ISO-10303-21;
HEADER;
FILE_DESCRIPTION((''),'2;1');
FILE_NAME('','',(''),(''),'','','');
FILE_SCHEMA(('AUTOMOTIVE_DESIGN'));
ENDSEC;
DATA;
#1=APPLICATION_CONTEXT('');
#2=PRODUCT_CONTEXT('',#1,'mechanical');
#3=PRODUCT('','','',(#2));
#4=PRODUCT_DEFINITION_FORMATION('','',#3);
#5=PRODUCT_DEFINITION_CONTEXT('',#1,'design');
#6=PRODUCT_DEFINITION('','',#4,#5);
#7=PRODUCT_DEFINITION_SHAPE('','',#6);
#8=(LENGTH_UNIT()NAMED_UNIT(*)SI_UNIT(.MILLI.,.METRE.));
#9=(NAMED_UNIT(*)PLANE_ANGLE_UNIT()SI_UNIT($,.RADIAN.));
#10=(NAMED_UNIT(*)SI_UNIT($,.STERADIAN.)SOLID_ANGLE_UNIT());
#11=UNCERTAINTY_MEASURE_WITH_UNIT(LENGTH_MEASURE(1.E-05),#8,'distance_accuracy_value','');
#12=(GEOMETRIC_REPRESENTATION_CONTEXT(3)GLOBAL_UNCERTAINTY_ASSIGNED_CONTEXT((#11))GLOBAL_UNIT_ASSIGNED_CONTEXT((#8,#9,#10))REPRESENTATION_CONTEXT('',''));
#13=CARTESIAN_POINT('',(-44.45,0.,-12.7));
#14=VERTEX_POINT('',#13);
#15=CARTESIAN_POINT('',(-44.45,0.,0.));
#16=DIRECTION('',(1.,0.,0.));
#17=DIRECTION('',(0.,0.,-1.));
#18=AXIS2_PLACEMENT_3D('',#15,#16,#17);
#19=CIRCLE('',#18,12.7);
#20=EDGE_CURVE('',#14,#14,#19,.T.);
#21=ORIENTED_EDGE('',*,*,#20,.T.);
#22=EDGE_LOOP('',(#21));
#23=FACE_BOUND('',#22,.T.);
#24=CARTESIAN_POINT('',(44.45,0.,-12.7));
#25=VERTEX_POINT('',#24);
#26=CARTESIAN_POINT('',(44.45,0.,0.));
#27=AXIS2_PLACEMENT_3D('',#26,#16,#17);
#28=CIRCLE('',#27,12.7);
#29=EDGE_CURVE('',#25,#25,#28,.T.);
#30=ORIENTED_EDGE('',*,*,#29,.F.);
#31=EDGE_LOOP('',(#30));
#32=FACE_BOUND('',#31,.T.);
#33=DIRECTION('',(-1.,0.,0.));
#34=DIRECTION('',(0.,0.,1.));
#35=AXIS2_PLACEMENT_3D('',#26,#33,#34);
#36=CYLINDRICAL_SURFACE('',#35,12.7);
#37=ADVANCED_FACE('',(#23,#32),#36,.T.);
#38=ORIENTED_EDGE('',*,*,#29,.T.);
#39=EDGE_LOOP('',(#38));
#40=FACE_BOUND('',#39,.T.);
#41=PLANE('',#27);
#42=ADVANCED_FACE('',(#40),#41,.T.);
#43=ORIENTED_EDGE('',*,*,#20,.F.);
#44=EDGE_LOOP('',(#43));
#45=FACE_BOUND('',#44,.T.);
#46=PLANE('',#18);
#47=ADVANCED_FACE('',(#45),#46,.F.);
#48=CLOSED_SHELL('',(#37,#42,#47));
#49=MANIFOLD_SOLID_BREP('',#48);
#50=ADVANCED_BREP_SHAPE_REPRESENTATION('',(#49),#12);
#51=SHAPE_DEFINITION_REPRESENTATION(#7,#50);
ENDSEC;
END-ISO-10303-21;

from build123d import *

# Parameters (mm, degrees)
SKETCH1_R      = 12.7
EXTRUDE1_DEPTH = 44.45


with BuildPart() as part:
    # Sketch1 → Extrude1 (new body, symmetric)
    with BuildSketch(Plane(origin=(0, 0, 0), x_dir=(0, 0, -1), z_dir=(1, 0, 0))):
        Circle(SKETCH1_R)
    extrude(amount=EXTRUDE1_DEPTH, both=True)


solid = part.part
